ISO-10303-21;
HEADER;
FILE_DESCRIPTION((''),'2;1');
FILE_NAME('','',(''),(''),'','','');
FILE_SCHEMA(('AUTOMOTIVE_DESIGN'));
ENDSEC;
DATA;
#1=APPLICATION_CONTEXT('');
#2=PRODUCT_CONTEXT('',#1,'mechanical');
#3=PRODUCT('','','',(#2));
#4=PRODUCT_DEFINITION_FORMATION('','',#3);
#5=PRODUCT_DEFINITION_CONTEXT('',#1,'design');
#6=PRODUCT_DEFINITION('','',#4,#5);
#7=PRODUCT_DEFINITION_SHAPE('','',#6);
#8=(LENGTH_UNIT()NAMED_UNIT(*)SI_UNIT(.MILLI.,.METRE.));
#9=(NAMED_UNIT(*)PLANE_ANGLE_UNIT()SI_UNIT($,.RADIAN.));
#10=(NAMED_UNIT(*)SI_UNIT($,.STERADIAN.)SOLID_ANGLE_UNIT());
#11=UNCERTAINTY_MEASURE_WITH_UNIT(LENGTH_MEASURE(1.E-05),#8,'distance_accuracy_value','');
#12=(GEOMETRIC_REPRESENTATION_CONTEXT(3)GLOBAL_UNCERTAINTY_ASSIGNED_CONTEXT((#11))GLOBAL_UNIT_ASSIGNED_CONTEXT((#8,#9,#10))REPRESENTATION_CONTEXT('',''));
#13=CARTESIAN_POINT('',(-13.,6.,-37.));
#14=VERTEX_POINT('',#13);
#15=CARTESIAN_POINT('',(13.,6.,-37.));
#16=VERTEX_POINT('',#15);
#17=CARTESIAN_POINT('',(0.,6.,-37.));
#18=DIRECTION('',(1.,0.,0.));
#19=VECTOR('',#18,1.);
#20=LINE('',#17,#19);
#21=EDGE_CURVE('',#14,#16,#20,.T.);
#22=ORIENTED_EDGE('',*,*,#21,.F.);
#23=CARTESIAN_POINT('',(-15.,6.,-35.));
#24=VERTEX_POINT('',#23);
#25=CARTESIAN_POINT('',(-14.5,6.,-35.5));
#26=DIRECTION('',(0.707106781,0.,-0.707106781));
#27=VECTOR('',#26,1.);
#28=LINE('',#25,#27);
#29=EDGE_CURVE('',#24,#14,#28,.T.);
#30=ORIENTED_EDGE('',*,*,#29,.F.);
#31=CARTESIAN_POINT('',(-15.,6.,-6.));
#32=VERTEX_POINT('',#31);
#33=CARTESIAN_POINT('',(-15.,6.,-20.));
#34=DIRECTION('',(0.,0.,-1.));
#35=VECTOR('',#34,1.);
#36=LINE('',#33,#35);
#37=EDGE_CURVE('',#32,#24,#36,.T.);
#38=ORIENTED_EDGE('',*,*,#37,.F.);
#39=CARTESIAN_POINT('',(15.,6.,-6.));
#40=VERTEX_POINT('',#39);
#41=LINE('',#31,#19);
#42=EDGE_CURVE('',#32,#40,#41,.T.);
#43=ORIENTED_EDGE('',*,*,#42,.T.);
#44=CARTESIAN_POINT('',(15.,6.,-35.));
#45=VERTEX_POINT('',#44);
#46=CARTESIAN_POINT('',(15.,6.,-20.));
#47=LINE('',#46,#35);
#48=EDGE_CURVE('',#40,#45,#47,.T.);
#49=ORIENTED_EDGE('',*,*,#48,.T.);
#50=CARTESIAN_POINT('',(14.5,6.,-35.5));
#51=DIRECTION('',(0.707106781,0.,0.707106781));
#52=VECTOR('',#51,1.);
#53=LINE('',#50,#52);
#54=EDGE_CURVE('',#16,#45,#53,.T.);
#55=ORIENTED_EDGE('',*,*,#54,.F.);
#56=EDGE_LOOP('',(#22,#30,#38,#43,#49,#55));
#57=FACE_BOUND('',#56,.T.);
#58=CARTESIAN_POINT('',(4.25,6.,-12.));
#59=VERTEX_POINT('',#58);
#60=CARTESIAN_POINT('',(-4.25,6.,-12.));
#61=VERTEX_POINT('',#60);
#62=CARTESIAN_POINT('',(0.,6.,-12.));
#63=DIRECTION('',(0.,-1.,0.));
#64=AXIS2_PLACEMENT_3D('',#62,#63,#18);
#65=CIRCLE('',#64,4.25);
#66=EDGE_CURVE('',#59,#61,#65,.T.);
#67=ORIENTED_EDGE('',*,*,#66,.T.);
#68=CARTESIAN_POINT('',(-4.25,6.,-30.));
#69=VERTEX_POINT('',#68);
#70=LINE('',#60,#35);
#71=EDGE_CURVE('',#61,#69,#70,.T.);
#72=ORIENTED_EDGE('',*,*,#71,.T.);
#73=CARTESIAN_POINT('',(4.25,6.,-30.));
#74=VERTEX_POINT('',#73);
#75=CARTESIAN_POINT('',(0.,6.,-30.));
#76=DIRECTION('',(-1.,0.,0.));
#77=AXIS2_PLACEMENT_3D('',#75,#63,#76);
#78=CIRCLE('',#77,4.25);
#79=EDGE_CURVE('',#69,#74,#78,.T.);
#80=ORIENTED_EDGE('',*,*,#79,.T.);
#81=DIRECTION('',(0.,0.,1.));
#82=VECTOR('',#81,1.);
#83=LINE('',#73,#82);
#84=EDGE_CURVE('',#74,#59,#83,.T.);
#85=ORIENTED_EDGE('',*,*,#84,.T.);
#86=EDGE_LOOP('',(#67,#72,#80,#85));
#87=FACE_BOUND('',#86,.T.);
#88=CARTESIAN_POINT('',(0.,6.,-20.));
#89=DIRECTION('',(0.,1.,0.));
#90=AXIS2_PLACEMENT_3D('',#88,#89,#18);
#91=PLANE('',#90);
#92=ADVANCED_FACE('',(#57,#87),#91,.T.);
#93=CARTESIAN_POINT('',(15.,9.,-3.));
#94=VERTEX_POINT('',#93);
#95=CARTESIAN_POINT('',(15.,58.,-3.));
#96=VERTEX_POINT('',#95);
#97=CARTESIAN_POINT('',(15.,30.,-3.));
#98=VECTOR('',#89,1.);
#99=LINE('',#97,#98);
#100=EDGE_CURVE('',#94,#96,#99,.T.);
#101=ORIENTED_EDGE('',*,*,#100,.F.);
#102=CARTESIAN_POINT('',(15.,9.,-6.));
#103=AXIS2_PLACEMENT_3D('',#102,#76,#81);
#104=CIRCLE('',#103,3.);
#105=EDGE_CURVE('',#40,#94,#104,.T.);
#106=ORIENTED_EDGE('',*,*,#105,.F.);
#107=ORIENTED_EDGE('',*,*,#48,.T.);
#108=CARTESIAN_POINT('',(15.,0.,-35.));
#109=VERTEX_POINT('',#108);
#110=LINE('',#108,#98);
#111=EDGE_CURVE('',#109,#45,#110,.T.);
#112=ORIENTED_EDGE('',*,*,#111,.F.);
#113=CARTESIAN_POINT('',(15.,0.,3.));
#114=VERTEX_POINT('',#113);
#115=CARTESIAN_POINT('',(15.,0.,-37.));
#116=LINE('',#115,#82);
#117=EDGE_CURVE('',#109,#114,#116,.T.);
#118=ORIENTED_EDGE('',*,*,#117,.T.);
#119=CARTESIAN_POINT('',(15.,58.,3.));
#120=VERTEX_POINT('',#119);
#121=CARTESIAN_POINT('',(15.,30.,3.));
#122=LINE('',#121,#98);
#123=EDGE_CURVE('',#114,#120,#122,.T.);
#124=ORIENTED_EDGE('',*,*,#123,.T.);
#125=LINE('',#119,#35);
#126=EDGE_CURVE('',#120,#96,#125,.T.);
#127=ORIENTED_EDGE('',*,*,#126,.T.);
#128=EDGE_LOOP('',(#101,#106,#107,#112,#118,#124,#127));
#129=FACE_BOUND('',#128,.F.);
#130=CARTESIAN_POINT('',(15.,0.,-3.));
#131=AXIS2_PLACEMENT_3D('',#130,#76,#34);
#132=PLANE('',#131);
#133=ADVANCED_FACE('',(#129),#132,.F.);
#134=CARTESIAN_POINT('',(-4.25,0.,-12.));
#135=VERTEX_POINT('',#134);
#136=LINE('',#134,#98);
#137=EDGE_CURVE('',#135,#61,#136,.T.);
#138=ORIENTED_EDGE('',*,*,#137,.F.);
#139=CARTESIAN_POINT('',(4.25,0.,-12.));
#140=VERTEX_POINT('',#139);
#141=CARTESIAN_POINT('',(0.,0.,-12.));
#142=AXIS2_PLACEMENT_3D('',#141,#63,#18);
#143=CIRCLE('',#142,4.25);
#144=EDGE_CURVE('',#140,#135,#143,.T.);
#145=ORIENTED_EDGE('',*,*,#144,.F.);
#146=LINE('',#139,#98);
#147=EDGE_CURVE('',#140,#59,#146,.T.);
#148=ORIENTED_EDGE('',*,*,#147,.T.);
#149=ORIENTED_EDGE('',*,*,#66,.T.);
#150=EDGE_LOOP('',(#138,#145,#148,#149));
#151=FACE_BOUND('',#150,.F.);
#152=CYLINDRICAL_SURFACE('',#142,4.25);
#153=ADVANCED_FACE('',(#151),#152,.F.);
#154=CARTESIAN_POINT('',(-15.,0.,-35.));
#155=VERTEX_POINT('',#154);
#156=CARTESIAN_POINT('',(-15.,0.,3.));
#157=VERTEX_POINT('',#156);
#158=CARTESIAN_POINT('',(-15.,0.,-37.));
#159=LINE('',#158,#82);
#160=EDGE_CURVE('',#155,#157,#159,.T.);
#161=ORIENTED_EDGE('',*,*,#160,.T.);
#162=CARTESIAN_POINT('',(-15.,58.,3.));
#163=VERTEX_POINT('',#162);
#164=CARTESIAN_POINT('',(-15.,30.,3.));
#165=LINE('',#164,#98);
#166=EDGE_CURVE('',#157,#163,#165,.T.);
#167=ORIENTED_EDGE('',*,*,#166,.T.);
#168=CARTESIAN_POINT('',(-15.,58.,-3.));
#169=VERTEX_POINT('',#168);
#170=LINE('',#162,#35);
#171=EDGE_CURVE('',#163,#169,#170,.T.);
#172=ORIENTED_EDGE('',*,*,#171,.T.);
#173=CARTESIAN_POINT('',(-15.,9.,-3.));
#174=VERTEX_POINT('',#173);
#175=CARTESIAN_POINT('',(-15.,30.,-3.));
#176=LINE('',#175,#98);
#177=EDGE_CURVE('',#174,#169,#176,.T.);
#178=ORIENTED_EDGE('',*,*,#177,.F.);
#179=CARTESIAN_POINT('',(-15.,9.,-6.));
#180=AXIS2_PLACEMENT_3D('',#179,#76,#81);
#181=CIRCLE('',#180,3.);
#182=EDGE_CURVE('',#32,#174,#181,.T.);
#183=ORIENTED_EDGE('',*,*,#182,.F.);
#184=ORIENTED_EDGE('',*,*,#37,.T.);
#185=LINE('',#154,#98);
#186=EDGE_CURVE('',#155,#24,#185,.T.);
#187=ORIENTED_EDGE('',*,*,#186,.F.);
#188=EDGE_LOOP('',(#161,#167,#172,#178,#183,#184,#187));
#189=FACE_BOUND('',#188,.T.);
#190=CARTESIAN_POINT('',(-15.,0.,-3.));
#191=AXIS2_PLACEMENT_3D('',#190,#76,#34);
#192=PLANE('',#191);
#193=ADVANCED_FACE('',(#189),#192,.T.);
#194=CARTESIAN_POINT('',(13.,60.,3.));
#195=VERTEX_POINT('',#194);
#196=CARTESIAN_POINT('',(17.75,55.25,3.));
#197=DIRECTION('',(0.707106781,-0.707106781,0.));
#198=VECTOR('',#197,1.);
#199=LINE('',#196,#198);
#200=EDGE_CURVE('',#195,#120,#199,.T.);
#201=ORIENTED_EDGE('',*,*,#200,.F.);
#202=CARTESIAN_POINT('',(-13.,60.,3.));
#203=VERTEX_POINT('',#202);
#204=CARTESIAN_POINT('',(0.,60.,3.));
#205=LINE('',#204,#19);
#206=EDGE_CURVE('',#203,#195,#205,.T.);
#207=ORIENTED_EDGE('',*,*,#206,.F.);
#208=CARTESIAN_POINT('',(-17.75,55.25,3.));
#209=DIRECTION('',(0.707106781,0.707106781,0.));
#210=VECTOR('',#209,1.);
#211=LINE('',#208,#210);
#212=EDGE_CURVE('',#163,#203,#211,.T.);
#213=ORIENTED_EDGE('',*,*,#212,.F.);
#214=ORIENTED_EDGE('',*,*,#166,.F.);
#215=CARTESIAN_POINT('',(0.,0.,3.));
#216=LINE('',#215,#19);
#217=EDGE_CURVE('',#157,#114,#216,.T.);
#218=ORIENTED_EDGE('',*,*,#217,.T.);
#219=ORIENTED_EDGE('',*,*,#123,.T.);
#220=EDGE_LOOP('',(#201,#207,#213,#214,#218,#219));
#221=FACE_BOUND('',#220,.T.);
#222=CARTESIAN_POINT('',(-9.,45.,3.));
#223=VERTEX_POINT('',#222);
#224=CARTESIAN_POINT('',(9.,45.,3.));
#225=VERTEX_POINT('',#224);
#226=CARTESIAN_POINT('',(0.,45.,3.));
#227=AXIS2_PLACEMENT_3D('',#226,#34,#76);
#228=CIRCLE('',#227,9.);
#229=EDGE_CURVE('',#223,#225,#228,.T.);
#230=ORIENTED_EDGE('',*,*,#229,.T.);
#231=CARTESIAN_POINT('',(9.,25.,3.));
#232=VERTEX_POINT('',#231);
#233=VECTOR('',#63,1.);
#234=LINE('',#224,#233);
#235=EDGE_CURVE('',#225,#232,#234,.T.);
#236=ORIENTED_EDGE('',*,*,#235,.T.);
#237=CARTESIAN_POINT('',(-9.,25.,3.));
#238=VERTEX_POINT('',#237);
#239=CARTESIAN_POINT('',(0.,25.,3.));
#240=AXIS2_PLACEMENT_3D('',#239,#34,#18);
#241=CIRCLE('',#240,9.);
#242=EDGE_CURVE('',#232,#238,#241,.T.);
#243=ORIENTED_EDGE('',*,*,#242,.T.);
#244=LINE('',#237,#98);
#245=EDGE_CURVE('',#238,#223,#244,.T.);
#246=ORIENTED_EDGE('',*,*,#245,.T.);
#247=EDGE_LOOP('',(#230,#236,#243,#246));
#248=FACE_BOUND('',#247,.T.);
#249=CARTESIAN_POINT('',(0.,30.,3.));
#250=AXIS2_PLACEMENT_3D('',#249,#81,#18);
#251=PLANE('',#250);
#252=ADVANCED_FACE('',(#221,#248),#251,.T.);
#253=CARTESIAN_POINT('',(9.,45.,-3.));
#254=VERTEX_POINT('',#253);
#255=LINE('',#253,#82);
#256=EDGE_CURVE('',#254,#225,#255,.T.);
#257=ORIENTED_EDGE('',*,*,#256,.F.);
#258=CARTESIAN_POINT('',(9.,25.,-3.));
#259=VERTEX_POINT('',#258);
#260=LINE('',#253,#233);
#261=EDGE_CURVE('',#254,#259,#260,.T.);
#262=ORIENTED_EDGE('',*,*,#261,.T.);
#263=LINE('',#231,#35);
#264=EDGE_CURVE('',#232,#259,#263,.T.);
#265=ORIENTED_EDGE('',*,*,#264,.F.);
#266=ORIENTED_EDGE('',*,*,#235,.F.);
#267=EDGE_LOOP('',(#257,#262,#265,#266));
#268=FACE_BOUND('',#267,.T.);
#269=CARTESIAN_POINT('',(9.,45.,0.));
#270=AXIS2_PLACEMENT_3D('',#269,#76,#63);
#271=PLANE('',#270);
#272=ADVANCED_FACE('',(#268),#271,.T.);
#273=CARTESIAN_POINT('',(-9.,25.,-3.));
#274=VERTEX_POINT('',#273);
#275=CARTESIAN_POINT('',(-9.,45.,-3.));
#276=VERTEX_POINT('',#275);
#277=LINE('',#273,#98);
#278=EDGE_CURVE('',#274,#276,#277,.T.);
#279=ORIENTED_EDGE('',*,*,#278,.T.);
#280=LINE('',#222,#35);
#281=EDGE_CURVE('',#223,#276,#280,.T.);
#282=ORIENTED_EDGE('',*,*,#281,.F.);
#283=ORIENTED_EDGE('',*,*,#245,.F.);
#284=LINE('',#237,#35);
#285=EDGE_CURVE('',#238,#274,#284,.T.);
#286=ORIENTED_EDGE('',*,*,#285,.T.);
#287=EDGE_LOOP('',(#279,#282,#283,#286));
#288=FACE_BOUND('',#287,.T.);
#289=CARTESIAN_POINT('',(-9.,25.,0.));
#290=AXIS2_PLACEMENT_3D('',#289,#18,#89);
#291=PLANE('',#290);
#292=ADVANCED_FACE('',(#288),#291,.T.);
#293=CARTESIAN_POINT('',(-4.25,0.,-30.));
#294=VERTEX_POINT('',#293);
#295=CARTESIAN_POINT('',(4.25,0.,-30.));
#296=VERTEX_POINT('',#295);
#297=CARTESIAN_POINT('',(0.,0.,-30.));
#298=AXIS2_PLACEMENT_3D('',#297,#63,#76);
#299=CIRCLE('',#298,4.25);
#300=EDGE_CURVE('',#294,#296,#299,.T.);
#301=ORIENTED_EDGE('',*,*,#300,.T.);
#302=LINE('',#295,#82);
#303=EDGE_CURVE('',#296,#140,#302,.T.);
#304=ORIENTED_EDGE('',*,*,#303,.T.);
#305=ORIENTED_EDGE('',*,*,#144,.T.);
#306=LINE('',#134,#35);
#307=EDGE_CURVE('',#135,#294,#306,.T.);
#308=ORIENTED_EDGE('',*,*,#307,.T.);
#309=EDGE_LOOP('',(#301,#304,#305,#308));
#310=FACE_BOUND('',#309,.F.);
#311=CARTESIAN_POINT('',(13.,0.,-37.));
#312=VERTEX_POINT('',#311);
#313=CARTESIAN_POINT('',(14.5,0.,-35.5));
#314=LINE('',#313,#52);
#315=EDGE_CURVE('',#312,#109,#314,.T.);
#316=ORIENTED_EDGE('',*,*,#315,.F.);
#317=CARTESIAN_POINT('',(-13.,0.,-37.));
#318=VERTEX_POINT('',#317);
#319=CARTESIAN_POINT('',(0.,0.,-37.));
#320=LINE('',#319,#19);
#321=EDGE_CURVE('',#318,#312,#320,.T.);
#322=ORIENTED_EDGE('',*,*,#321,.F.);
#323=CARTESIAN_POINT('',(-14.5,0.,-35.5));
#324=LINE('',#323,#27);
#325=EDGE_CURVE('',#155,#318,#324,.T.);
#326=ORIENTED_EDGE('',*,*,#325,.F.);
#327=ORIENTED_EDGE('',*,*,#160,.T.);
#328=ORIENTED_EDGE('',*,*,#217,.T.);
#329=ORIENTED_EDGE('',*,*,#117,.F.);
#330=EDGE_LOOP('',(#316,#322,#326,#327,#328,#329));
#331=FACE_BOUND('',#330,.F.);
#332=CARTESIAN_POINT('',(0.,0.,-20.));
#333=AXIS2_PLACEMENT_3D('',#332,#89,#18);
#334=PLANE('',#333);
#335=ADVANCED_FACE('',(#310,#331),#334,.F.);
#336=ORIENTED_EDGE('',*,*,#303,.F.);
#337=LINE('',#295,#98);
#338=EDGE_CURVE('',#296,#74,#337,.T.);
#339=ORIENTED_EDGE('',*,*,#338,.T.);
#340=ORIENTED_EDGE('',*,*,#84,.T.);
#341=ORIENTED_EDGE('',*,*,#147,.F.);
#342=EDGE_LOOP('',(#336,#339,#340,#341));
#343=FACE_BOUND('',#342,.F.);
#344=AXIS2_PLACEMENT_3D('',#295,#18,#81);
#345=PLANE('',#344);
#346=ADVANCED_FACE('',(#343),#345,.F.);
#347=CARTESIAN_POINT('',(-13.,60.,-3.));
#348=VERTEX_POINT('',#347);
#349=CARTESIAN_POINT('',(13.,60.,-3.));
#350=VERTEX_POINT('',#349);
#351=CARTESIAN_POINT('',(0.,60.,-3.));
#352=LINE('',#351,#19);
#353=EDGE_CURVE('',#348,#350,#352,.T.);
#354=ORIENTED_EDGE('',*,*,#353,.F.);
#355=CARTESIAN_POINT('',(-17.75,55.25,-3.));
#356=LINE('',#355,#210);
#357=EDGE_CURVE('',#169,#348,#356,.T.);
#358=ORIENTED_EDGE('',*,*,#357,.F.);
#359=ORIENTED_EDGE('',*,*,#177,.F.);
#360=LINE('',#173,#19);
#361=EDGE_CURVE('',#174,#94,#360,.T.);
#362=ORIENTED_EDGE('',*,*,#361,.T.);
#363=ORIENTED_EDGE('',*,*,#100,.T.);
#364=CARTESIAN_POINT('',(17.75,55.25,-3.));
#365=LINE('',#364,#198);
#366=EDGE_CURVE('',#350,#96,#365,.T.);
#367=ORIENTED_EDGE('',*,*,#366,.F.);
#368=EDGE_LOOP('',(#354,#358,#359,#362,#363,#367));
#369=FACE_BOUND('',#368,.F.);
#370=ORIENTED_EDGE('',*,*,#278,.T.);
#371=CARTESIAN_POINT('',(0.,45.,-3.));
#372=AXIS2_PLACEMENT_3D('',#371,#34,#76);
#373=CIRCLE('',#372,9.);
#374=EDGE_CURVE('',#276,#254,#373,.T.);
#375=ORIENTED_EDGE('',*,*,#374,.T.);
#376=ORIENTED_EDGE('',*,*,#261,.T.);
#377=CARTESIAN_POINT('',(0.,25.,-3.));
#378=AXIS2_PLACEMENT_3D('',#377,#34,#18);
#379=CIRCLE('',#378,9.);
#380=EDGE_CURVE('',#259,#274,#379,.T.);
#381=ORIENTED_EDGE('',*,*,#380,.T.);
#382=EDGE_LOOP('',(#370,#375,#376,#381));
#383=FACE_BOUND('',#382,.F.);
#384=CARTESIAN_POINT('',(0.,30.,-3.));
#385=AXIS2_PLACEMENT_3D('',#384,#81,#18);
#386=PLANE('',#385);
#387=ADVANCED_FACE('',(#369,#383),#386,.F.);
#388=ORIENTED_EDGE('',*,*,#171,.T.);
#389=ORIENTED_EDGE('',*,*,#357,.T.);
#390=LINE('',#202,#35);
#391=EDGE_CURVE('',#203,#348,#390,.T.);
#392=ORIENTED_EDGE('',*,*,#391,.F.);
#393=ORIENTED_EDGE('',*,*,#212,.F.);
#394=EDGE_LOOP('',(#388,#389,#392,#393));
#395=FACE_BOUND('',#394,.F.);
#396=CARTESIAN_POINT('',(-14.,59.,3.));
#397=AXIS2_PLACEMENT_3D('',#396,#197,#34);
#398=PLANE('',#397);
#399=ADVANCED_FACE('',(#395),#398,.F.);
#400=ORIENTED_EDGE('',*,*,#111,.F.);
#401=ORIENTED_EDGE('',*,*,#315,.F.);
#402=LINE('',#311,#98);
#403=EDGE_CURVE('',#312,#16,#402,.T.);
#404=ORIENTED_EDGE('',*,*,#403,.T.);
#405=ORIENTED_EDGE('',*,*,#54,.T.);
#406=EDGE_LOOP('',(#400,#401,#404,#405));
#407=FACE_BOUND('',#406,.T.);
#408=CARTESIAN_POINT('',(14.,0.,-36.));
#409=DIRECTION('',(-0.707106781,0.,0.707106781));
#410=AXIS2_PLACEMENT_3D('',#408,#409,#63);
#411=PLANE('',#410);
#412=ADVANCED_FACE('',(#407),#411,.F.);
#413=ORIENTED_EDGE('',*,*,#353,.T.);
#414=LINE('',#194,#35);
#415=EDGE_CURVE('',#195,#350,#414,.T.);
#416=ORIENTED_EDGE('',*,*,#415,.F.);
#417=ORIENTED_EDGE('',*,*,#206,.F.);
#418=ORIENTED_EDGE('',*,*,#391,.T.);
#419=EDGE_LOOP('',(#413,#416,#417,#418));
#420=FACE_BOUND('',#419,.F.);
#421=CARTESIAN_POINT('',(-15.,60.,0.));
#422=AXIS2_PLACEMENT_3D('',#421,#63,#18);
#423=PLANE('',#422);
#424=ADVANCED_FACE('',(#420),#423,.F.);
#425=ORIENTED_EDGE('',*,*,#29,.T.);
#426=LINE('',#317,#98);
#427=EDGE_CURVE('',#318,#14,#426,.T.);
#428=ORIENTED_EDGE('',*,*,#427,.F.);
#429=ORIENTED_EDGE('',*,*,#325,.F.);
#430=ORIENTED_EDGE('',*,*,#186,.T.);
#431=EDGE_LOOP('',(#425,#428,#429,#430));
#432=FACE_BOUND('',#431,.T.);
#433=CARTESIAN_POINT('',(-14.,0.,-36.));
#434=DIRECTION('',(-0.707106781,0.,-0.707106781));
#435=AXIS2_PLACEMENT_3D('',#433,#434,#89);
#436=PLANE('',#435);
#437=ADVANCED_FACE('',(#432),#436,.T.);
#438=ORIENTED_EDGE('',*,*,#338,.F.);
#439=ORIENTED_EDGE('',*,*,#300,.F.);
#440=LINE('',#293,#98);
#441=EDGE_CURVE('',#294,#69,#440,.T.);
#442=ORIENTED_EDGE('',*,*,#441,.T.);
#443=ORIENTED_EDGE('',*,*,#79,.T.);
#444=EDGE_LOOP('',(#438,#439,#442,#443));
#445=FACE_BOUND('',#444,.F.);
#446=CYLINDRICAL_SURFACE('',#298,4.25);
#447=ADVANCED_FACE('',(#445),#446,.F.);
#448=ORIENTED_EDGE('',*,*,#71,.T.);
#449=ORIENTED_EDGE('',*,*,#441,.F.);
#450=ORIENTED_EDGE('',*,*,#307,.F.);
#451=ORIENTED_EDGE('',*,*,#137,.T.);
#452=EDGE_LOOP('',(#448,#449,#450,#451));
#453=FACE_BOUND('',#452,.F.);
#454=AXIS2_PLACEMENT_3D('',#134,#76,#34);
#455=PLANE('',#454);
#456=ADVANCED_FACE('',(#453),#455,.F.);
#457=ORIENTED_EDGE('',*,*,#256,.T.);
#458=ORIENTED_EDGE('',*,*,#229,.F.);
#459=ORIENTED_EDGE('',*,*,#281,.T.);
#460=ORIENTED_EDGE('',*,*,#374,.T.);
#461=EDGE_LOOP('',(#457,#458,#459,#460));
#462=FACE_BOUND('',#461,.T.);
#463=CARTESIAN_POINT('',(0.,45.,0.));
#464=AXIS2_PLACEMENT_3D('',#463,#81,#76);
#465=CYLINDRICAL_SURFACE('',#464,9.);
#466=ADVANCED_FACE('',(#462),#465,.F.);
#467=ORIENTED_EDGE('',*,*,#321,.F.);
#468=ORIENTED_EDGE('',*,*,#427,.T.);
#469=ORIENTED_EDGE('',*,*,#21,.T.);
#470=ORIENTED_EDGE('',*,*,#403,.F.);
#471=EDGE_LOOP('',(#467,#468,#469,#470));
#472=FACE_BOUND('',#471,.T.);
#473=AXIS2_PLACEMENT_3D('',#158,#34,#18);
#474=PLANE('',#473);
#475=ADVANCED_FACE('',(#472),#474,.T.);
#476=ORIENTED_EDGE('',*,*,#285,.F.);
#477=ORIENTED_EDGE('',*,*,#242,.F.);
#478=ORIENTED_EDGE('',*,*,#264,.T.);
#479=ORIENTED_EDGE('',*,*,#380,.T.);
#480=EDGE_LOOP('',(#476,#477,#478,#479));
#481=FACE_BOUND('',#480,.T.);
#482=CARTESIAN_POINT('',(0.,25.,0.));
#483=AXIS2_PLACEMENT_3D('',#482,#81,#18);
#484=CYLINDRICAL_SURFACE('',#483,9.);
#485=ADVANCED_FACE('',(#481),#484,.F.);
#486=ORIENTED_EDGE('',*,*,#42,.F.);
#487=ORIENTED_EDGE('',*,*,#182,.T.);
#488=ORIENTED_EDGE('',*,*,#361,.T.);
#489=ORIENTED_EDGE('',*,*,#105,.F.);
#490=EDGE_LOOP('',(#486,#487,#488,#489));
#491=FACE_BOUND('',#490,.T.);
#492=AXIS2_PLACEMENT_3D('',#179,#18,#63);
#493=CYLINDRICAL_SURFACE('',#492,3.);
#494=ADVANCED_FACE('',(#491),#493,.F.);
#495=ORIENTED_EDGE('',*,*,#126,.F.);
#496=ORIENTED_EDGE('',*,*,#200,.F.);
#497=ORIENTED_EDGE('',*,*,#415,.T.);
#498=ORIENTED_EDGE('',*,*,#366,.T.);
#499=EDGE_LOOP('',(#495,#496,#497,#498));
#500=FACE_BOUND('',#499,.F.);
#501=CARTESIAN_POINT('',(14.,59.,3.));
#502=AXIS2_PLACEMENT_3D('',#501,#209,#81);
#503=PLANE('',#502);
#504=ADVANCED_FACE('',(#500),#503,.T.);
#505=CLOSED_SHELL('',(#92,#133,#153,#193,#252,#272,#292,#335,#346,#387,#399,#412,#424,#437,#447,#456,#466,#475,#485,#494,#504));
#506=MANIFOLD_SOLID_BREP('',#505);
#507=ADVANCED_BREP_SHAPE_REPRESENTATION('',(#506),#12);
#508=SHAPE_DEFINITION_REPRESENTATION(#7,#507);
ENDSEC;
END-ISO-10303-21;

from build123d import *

# Parameters (mm, degrees)
SKETCH1_W           = 30
SKETCH1_H           = 60
BOSS_EXTRUDE1_DEPTH = 3
SKETCH3_W           = 30
SKETCH3_H           = 34
BOSS_EXTRUDE2_DEPTH = 6
FILLET1_R           = 3
CHAMFER1_SIZE       = 2


with BuildPart() as part:
    # Sketch1 → Boss-Extrude1 (new body, symmetric)
    with BuildSketch(Plane.XY):
        with Locations((0, 30)):
            Rectangle(SKETCH1_W, SKETCH1_H)
        with BuildLine():
            Line((9, 45), (9, 25))
            ThreePointArc((9, 25), (0, 16), (-9, 25))
            Line((-9, 25), (-9, 45))
            ThreePointArc((-9, 45), (0, 54), (9, 45))
        make_face(mode=Mode.SUBTRACT)
    extrude(amount=BOSS_EXTRUDE1_DEPTH, both=True)

    # Sketch3 → Boss-Extrude2 (add)
    with BuildSketch(Plane(origin=(0, 0, 0), x_dir=(1, 0, 0), z_dir=(0, 1, 0))):
        with Locations((0, 20)):
            Rectangle(SKETCH3_W, SKETCH3_H)
        with BuildLine():
            Line((4.25, 30), (4.25, 12))
            ThreePointArc((4.25, 12), (0, 7.75), (-4.25, 12))
            Line((-4.25, 12), (-4.25, 30))
            ThreePointArc((-4.25, 30), (0, 34.25), (4.25, 30))
        make_face(mode=Mode.SUBTRACT)
    extrude(amount=BOSS_EXTRUDE2_DEPTH)

    # Fillet1
    fillet1_edges = [part.edges().sort_by_distance(p)[0] for p in [
        (0, 6, -3),
    ]]
    fillet(fillet1_edges, radius=FILLET1_R)

    # Chamfer1
    chamfer1_edges = [part.edges().sort_by_distance(p)[0] for p in [
        (-15, 3, -37),
        (15, 3, -37),
        (-15, 60, 0),
        (15, 60, 0),
    ]]
    chamfer(chamfer1_edges, length=CHAMFER1_SIZE)


solid = part.part
